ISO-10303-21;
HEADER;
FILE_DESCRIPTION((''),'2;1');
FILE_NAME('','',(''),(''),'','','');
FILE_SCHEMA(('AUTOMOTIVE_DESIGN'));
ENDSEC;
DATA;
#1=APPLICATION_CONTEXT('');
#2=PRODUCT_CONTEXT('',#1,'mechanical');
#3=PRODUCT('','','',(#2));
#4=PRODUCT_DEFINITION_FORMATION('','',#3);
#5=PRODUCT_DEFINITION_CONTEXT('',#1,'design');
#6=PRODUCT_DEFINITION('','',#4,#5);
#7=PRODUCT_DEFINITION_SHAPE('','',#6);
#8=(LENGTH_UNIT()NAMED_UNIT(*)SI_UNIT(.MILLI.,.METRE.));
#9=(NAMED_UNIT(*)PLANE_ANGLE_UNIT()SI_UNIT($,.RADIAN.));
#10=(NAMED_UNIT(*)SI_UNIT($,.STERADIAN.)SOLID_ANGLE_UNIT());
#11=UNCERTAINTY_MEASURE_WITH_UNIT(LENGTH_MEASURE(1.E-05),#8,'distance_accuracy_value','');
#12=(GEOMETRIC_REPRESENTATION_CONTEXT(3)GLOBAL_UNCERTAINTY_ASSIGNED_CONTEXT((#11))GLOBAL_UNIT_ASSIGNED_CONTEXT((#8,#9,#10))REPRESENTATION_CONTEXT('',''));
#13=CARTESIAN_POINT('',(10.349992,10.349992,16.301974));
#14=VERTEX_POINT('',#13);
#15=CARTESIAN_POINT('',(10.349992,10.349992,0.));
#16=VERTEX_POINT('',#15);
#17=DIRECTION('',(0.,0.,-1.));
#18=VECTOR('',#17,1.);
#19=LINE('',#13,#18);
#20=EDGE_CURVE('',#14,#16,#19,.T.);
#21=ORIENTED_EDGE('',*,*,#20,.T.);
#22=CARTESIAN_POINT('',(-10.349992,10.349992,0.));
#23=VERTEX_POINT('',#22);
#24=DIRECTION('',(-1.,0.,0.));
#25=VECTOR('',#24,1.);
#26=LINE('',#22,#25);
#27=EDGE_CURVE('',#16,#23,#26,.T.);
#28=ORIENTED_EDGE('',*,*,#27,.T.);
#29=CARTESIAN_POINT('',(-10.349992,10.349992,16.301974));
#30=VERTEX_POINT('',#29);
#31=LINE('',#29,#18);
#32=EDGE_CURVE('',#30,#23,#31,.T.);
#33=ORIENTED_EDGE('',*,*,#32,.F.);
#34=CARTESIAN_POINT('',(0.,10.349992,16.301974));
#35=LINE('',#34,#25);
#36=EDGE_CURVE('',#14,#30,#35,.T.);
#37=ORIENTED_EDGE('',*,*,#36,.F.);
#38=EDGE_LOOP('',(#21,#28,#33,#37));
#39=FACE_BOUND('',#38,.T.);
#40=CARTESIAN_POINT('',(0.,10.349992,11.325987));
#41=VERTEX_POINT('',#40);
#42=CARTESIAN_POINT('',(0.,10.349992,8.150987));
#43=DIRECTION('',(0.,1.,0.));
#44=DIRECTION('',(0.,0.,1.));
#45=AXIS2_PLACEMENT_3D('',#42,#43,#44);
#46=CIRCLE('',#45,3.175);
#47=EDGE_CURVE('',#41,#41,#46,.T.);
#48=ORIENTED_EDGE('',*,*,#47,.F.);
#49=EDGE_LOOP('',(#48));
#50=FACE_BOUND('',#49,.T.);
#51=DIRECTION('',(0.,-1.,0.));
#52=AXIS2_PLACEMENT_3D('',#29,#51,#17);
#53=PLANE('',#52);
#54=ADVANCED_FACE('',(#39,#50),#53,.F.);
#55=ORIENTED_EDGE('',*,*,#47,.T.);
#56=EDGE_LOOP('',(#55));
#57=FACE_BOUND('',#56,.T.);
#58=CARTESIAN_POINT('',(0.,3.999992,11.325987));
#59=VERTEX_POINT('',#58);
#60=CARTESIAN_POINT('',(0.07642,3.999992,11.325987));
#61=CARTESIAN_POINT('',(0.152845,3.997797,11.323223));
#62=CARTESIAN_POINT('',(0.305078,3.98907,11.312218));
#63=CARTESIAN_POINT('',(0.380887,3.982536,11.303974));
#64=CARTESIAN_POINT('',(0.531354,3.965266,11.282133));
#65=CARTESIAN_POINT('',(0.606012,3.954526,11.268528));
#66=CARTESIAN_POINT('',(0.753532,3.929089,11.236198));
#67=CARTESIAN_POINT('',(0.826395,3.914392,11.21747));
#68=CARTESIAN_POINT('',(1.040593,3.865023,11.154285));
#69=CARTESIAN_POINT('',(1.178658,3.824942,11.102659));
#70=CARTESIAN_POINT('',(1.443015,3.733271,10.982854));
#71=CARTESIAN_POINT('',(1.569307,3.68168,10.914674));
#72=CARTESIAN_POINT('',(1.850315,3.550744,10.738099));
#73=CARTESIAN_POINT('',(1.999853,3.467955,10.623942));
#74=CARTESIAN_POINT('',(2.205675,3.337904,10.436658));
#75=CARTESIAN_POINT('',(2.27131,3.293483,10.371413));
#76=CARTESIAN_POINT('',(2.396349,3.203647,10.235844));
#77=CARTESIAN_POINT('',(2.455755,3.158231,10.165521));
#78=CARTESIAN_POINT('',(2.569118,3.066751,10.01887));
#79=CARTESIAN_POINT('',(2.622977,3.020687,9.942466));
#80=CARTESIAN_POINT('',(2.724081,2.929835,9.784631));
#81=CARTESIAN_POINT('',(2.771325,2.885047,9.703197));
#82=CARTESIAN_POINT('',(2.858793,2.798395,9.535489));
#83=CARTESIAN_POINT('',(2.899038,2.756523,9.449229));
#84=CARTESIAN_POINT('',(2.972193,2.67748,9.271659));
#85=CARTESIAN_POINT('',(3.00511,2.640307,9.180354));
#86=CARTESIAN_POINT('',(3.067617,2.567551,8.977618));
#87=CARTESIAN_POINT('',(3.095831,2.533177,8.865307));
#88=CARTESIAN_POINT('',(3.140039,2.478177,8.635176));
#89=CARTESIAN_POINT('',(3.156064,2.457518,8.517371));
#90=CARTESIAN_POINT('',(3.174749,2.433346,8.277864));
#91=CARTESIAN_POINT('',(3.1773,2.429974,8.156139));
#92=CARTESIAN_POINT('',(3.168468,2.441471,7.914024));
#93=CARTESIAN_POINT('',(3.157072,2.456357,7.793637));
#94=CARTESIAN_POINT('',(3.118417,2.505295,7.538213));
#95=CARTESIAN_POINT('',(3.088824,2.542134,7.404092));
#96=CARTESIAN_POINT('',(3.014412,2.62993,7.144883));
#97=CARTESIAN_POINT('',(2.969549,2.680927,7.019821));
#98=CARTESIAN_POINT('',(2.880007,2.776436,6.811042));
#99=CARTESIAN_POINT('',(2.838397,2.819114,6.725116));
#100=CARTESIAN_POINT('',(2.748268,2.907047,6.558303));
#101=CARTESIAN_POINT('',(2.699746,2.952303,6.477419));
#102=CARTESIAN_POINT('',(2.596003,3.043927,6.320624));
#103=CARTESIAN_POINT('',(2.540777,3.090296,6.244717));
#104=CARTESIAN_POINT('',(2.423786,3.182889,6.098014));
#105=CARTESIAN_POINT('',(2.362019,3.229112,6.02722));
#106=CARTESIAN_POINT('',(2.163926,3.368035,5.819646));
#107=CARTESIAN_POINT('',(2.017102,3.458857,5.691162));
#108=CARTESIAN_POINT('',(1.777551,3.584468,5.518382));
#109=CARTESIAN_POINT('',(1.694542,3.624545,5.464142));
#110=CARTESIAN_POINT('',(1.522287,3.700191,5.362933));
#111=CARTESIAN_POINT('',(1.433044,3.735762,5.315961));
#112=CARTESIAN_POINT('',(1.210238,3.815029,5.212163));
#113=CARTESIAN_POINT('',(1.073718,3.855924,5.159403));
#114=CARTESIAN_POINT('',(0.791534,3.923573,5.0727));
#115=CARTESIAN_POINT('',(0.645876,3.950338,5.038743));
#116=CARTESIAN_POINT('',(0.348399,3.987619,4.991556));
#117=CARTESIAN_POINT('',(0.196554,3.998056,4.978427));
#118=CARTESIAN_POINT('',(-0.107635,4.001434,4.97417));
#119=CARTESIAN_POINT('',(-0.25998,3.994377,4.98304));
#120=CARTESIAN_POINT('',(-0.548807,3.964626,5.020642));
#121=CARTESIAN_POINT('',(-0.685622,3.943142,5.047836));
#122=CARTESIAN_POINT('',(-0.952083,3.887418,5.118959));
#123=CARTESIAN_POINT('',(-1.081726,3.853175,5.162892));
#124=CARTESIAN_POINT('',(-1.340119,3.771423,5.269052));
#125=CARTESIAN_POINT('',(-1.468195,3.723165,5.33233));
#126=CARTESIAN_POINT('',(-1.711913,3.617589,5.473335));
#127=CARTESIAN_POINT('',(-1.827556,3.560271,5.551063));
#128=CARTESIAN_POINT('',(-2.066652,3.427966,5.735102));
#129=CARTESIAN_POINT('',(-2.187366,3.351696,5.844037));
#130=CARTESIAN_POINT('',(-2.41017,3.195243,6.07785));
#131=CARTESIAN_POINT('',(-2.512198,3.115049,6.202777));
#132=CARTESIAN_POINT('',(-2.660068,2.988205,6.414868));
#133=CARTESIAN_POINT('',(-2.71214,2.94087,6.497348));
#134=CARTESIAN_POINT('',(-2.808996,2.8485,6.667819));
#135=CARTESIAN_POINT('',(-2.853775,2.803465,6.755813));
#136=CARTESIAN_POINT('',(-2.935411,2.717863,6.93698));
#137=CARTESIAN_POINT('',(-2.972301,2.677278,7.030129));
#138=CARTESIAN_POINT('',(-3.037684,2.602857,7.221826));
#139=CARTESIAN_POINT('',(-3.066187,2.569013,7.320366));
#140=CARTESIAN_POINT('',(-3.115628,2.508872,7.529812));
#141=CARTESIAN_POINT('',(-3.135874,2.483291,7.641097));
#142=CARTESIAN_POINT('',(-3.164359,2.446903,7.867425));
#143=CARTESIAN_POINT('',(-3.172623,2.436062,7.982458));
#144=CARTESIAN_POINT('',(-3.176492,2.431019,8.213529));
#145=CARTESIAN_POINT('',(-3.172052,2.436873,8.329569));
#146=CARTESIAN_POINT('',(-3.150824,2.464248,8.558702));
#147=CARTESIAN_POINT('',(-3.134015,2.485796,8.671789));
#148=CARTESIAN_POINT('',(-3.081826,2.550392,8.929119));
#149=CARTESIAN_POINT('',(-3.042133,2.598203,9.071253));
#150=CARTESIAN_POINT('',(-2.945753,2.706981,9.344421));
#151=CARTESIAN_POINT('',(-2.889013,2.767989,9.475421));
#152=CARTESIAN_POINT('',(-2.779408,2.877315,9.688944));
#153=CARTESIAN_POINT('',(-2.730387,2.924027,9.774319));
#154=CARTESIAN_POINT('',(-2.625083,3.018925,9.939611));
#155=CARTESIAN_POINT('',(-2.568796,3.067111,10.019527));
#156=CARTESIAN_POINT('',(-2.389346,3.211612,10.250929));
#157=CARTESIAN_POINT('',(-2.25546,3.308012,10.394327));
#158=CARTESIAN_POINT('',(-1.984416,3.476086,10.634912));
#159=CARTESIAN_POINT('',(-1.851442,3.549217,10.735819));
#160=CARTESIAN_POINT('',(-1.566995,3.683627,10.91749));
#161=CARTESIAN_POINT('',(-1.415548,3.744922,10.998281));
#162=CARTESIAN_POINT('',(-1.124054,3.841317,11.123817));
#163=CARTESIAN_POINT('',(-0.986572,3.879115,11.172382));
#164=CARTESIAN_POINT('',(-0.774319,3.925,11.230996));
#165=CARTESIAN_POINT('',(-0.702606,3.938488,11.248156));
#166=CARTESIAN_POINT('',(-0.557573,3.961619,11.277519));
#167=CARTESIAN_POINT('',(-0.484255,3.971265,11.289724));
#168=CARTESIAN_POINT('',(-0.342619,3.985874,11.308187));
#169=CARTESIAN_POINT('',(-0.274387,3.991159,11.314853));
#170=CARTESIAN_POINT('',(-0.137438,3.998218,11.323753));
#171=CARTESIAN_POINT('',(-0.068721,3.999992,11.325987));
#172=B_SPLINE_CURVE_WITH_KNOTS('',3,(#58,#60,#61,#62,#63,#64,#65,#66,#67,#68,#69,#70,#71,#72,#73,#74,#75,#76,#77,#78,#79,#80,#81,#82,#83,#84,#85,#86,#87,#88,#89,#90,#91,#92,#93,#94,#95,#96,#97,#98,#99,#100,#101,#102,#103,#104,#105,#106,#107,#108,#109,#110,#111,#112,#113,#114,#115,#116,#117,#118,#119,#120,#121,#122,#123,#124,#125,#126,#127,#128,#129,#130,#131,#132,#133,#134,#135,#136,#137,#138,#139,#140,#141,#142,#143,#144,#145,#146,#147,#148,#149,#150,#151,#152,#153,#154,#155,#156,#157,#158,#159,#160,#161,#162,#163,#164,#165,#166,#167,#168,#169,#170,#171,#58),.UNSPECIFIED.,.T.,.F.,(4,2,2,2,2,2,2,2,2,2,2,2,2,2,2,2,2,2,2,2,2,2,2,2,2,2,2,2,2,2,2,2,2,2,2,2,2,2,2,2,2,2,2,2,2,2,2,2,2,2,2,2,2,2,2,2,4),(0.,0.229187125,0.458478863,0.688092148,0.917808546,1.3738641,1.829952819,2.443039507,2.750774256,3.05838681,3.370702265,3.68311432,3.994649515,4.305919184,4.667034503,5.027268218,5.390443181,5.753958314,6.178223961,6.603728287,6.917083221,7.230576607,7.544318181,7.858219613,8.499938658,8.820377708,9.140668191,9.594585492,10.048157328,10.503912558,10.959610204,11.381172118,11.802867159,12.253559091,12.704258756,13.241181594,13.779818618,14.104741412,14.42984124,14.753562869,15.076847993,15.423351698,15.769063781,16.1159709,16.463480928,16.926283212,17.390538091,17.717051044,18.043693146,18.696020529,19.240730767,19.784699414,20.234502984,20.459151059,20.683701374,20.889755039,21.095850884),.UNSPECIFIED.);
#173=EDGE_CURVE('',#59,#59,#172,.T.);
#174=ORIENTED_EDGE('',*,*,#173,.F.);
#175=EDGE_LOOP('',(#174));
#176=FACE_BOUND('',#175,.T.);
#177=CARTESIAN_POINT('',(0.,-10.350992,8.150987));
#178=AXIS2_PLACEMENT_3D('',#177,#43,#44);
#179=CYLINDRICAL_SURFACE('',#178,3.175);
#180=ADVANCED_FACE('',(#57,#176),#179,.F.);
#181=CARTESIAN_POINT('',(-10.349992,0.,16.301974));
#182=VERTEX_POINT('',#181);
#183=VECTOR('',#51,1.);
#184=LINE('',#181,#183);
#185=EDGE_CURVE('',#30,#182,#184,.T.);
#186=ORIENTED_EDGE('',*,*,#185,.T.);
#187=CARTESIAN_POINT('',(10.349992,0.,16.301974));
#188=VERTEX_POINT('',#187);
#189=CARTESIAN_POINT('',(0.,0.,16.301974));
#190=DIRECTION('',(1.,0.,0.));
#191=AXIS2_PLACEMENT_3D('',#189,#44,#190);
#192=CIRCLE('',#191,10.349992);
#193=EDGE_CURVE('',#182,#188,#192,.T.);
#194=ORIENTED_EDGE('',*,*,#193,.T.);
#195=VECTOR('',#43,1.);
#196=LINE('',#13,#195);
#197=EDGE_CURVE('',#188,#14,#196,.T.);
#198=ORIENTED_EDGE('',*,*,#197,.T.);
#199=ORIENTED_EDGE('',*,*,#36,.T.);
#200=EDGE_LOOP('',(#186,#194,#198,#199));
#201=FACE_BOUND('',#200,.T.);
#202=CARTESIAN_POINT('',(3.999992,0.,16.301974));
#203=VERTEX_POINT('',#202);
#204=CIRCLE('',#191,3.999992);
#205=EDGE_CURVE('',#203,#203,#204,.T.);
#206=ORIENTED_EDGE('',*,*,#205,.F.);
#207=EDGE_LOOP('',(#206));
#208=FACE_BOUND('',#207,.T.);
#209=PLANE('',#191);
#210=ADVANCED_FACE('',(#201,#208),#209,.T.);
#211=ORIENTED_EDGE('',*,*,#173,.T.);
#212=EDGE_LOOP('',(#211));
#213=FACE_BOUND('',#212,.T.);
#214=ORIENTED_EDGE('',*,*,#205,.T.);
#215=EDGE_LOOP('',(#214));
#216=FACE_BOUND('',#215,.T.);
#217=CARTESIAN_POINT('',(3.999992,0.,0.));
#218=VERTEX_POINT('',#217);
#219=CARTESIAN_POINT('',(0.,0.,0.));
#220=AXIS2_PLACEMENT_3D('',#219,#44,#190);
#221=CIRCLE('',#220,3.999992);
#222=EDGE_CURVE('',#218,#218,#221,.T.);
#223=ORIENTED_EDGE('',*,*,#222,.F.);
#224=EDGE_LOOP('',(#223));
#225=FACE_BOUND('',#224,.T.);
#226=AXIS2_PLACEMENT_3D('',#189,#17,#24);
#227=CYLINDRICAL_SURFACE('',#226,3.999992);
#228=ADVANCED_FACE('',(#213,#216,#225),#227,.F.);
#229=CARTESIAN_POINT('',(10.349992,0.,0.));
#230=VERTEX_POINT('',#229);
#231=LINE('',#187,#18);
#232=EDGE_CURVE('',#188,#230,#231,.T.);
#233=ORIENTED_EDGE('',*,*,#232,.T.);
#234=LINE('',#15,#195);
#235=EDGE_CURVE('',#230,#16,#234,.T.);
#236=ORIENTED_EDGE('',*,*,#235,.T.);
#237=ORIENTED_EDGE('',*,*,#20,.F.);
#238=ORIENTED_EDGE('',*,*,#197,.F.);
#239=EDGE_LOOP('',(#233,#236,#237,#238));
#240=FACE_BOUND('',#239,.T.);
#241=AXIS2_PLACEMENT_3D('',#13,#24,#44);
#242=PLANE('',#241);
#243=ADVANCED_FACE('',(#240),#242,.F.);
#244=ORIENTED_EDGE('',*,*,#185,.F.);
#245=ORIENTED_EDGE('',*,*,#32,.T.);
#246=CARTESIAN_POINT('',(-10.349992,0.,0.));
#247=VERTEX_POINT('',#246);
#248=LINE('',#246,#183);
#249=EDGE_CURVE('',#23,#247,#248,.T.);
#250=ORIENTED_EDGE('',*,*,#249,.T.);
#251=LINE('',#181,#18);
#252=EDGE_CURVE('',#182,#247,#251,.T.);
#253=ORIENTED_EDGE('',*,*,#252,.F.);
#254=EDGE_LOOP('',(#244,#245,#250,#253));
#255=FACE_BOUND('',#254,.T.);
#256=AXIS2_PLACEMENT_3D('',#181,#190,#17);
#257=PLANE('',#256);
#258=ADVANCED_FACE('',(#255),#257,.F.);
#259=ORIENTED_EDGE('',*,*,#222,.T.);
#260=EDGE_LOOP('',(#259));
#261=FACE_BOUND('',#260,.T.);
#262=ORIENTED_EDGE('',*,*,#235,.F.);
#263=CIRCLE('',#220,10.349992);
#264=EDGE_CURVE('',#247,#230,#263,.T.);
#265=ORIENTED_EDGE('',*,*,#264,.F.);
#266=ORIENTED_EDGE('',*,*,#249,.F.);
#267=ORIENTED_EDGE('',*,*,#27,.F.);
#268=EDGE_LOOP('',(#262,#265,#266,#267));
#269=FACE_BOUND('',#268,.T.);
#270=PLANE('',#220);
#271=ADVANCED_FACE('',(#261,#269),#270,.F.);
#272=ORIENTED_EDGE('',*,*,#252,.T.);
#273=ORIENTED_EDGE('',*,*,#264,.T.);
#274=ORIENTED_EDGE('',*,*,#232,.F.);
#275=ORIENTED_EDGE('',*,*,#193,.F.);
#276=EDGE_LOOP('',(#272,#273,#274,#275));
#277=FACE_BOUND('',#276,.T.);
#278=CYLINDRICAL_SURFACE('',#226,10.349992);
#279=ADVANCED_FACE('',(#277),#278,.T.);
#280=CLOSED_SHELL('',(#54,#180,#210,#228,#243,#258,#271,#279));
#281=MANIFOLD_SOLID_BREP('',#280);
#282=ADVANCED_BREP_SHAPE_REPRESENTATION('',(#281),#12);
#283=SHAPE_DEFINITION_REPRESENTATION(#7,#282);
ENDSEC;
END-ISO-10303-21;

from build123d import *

# Parameters (mm, degrees)
SKETCH2_R               = 3.999992
BOSS_EXTRUDE1_DEPTH     = 16.301974
CUT_EXTRUDE1_REACH      = 30.308
CUT_EXTRUDE1_END_RADIUS = 3.999992
SKETCH3_R               = 3.175


with BuildPart() as part:
    # Sketch2 → Boss-Extrude1 (new body)
    with BuildSketch(Plane.XY):
        with BuildLine():
            Line((-10.349992, 0), (-10.349992, 10.349992))
            Line((-10.349992, 10.349992), (0, 10.349992))
            Line((0, 10.349992), (10.349992, 10.349992))
            Line((10.349992, 10.349992), (10.349992, 0))
            ThreePointArc((10.349992, 0), (0, -10.349992), (-10.349992, 0))
        make_face()
        Circle(SKETCH2_R, mode=Mode.SUBTRACT)
    extrude(amount=BOSS_EXTRUDE1_DEPTH)

    # Cut-Extrude1: up to this cylinder (the profile starts outside it)
    cut_extrude1_end = Plane(origin=(0, 0, 8.150987), z_dir=(0, 0, -1)) * Cylinder(CUT_EXTRUDE1_END_RADIUS, 69.615984, mode=Mode.PRIVATE)
    # Sketch3 → Cut-Extrude1 (cut, up to the surface)
    with BuildSketch(Plane(origin=(0, 10.349992, 0), x_dir=(1, 0, 0), z_dir=(0, 1, 0)), mode=Mode.PRIVATE) as cut_extrude1_sk1:
        with Locations(Location((0, -8.150987, 0), (0, 0, 270))):
            Circle(SKETCH3_R)
    cut_extrude1_tool1 = extrude(cut_extrude1_sk1.sketch, amount=-CUT_EXTRUDE1_REACH, mode=Mode.PRIVATE) - cut_extrude1_end
    add(cut_extrude1_tool1.solids().sort_by_distance((0, 10.349992, 8.150987))[0], mode=Mode.SUBTRACT)


solid = part.part
